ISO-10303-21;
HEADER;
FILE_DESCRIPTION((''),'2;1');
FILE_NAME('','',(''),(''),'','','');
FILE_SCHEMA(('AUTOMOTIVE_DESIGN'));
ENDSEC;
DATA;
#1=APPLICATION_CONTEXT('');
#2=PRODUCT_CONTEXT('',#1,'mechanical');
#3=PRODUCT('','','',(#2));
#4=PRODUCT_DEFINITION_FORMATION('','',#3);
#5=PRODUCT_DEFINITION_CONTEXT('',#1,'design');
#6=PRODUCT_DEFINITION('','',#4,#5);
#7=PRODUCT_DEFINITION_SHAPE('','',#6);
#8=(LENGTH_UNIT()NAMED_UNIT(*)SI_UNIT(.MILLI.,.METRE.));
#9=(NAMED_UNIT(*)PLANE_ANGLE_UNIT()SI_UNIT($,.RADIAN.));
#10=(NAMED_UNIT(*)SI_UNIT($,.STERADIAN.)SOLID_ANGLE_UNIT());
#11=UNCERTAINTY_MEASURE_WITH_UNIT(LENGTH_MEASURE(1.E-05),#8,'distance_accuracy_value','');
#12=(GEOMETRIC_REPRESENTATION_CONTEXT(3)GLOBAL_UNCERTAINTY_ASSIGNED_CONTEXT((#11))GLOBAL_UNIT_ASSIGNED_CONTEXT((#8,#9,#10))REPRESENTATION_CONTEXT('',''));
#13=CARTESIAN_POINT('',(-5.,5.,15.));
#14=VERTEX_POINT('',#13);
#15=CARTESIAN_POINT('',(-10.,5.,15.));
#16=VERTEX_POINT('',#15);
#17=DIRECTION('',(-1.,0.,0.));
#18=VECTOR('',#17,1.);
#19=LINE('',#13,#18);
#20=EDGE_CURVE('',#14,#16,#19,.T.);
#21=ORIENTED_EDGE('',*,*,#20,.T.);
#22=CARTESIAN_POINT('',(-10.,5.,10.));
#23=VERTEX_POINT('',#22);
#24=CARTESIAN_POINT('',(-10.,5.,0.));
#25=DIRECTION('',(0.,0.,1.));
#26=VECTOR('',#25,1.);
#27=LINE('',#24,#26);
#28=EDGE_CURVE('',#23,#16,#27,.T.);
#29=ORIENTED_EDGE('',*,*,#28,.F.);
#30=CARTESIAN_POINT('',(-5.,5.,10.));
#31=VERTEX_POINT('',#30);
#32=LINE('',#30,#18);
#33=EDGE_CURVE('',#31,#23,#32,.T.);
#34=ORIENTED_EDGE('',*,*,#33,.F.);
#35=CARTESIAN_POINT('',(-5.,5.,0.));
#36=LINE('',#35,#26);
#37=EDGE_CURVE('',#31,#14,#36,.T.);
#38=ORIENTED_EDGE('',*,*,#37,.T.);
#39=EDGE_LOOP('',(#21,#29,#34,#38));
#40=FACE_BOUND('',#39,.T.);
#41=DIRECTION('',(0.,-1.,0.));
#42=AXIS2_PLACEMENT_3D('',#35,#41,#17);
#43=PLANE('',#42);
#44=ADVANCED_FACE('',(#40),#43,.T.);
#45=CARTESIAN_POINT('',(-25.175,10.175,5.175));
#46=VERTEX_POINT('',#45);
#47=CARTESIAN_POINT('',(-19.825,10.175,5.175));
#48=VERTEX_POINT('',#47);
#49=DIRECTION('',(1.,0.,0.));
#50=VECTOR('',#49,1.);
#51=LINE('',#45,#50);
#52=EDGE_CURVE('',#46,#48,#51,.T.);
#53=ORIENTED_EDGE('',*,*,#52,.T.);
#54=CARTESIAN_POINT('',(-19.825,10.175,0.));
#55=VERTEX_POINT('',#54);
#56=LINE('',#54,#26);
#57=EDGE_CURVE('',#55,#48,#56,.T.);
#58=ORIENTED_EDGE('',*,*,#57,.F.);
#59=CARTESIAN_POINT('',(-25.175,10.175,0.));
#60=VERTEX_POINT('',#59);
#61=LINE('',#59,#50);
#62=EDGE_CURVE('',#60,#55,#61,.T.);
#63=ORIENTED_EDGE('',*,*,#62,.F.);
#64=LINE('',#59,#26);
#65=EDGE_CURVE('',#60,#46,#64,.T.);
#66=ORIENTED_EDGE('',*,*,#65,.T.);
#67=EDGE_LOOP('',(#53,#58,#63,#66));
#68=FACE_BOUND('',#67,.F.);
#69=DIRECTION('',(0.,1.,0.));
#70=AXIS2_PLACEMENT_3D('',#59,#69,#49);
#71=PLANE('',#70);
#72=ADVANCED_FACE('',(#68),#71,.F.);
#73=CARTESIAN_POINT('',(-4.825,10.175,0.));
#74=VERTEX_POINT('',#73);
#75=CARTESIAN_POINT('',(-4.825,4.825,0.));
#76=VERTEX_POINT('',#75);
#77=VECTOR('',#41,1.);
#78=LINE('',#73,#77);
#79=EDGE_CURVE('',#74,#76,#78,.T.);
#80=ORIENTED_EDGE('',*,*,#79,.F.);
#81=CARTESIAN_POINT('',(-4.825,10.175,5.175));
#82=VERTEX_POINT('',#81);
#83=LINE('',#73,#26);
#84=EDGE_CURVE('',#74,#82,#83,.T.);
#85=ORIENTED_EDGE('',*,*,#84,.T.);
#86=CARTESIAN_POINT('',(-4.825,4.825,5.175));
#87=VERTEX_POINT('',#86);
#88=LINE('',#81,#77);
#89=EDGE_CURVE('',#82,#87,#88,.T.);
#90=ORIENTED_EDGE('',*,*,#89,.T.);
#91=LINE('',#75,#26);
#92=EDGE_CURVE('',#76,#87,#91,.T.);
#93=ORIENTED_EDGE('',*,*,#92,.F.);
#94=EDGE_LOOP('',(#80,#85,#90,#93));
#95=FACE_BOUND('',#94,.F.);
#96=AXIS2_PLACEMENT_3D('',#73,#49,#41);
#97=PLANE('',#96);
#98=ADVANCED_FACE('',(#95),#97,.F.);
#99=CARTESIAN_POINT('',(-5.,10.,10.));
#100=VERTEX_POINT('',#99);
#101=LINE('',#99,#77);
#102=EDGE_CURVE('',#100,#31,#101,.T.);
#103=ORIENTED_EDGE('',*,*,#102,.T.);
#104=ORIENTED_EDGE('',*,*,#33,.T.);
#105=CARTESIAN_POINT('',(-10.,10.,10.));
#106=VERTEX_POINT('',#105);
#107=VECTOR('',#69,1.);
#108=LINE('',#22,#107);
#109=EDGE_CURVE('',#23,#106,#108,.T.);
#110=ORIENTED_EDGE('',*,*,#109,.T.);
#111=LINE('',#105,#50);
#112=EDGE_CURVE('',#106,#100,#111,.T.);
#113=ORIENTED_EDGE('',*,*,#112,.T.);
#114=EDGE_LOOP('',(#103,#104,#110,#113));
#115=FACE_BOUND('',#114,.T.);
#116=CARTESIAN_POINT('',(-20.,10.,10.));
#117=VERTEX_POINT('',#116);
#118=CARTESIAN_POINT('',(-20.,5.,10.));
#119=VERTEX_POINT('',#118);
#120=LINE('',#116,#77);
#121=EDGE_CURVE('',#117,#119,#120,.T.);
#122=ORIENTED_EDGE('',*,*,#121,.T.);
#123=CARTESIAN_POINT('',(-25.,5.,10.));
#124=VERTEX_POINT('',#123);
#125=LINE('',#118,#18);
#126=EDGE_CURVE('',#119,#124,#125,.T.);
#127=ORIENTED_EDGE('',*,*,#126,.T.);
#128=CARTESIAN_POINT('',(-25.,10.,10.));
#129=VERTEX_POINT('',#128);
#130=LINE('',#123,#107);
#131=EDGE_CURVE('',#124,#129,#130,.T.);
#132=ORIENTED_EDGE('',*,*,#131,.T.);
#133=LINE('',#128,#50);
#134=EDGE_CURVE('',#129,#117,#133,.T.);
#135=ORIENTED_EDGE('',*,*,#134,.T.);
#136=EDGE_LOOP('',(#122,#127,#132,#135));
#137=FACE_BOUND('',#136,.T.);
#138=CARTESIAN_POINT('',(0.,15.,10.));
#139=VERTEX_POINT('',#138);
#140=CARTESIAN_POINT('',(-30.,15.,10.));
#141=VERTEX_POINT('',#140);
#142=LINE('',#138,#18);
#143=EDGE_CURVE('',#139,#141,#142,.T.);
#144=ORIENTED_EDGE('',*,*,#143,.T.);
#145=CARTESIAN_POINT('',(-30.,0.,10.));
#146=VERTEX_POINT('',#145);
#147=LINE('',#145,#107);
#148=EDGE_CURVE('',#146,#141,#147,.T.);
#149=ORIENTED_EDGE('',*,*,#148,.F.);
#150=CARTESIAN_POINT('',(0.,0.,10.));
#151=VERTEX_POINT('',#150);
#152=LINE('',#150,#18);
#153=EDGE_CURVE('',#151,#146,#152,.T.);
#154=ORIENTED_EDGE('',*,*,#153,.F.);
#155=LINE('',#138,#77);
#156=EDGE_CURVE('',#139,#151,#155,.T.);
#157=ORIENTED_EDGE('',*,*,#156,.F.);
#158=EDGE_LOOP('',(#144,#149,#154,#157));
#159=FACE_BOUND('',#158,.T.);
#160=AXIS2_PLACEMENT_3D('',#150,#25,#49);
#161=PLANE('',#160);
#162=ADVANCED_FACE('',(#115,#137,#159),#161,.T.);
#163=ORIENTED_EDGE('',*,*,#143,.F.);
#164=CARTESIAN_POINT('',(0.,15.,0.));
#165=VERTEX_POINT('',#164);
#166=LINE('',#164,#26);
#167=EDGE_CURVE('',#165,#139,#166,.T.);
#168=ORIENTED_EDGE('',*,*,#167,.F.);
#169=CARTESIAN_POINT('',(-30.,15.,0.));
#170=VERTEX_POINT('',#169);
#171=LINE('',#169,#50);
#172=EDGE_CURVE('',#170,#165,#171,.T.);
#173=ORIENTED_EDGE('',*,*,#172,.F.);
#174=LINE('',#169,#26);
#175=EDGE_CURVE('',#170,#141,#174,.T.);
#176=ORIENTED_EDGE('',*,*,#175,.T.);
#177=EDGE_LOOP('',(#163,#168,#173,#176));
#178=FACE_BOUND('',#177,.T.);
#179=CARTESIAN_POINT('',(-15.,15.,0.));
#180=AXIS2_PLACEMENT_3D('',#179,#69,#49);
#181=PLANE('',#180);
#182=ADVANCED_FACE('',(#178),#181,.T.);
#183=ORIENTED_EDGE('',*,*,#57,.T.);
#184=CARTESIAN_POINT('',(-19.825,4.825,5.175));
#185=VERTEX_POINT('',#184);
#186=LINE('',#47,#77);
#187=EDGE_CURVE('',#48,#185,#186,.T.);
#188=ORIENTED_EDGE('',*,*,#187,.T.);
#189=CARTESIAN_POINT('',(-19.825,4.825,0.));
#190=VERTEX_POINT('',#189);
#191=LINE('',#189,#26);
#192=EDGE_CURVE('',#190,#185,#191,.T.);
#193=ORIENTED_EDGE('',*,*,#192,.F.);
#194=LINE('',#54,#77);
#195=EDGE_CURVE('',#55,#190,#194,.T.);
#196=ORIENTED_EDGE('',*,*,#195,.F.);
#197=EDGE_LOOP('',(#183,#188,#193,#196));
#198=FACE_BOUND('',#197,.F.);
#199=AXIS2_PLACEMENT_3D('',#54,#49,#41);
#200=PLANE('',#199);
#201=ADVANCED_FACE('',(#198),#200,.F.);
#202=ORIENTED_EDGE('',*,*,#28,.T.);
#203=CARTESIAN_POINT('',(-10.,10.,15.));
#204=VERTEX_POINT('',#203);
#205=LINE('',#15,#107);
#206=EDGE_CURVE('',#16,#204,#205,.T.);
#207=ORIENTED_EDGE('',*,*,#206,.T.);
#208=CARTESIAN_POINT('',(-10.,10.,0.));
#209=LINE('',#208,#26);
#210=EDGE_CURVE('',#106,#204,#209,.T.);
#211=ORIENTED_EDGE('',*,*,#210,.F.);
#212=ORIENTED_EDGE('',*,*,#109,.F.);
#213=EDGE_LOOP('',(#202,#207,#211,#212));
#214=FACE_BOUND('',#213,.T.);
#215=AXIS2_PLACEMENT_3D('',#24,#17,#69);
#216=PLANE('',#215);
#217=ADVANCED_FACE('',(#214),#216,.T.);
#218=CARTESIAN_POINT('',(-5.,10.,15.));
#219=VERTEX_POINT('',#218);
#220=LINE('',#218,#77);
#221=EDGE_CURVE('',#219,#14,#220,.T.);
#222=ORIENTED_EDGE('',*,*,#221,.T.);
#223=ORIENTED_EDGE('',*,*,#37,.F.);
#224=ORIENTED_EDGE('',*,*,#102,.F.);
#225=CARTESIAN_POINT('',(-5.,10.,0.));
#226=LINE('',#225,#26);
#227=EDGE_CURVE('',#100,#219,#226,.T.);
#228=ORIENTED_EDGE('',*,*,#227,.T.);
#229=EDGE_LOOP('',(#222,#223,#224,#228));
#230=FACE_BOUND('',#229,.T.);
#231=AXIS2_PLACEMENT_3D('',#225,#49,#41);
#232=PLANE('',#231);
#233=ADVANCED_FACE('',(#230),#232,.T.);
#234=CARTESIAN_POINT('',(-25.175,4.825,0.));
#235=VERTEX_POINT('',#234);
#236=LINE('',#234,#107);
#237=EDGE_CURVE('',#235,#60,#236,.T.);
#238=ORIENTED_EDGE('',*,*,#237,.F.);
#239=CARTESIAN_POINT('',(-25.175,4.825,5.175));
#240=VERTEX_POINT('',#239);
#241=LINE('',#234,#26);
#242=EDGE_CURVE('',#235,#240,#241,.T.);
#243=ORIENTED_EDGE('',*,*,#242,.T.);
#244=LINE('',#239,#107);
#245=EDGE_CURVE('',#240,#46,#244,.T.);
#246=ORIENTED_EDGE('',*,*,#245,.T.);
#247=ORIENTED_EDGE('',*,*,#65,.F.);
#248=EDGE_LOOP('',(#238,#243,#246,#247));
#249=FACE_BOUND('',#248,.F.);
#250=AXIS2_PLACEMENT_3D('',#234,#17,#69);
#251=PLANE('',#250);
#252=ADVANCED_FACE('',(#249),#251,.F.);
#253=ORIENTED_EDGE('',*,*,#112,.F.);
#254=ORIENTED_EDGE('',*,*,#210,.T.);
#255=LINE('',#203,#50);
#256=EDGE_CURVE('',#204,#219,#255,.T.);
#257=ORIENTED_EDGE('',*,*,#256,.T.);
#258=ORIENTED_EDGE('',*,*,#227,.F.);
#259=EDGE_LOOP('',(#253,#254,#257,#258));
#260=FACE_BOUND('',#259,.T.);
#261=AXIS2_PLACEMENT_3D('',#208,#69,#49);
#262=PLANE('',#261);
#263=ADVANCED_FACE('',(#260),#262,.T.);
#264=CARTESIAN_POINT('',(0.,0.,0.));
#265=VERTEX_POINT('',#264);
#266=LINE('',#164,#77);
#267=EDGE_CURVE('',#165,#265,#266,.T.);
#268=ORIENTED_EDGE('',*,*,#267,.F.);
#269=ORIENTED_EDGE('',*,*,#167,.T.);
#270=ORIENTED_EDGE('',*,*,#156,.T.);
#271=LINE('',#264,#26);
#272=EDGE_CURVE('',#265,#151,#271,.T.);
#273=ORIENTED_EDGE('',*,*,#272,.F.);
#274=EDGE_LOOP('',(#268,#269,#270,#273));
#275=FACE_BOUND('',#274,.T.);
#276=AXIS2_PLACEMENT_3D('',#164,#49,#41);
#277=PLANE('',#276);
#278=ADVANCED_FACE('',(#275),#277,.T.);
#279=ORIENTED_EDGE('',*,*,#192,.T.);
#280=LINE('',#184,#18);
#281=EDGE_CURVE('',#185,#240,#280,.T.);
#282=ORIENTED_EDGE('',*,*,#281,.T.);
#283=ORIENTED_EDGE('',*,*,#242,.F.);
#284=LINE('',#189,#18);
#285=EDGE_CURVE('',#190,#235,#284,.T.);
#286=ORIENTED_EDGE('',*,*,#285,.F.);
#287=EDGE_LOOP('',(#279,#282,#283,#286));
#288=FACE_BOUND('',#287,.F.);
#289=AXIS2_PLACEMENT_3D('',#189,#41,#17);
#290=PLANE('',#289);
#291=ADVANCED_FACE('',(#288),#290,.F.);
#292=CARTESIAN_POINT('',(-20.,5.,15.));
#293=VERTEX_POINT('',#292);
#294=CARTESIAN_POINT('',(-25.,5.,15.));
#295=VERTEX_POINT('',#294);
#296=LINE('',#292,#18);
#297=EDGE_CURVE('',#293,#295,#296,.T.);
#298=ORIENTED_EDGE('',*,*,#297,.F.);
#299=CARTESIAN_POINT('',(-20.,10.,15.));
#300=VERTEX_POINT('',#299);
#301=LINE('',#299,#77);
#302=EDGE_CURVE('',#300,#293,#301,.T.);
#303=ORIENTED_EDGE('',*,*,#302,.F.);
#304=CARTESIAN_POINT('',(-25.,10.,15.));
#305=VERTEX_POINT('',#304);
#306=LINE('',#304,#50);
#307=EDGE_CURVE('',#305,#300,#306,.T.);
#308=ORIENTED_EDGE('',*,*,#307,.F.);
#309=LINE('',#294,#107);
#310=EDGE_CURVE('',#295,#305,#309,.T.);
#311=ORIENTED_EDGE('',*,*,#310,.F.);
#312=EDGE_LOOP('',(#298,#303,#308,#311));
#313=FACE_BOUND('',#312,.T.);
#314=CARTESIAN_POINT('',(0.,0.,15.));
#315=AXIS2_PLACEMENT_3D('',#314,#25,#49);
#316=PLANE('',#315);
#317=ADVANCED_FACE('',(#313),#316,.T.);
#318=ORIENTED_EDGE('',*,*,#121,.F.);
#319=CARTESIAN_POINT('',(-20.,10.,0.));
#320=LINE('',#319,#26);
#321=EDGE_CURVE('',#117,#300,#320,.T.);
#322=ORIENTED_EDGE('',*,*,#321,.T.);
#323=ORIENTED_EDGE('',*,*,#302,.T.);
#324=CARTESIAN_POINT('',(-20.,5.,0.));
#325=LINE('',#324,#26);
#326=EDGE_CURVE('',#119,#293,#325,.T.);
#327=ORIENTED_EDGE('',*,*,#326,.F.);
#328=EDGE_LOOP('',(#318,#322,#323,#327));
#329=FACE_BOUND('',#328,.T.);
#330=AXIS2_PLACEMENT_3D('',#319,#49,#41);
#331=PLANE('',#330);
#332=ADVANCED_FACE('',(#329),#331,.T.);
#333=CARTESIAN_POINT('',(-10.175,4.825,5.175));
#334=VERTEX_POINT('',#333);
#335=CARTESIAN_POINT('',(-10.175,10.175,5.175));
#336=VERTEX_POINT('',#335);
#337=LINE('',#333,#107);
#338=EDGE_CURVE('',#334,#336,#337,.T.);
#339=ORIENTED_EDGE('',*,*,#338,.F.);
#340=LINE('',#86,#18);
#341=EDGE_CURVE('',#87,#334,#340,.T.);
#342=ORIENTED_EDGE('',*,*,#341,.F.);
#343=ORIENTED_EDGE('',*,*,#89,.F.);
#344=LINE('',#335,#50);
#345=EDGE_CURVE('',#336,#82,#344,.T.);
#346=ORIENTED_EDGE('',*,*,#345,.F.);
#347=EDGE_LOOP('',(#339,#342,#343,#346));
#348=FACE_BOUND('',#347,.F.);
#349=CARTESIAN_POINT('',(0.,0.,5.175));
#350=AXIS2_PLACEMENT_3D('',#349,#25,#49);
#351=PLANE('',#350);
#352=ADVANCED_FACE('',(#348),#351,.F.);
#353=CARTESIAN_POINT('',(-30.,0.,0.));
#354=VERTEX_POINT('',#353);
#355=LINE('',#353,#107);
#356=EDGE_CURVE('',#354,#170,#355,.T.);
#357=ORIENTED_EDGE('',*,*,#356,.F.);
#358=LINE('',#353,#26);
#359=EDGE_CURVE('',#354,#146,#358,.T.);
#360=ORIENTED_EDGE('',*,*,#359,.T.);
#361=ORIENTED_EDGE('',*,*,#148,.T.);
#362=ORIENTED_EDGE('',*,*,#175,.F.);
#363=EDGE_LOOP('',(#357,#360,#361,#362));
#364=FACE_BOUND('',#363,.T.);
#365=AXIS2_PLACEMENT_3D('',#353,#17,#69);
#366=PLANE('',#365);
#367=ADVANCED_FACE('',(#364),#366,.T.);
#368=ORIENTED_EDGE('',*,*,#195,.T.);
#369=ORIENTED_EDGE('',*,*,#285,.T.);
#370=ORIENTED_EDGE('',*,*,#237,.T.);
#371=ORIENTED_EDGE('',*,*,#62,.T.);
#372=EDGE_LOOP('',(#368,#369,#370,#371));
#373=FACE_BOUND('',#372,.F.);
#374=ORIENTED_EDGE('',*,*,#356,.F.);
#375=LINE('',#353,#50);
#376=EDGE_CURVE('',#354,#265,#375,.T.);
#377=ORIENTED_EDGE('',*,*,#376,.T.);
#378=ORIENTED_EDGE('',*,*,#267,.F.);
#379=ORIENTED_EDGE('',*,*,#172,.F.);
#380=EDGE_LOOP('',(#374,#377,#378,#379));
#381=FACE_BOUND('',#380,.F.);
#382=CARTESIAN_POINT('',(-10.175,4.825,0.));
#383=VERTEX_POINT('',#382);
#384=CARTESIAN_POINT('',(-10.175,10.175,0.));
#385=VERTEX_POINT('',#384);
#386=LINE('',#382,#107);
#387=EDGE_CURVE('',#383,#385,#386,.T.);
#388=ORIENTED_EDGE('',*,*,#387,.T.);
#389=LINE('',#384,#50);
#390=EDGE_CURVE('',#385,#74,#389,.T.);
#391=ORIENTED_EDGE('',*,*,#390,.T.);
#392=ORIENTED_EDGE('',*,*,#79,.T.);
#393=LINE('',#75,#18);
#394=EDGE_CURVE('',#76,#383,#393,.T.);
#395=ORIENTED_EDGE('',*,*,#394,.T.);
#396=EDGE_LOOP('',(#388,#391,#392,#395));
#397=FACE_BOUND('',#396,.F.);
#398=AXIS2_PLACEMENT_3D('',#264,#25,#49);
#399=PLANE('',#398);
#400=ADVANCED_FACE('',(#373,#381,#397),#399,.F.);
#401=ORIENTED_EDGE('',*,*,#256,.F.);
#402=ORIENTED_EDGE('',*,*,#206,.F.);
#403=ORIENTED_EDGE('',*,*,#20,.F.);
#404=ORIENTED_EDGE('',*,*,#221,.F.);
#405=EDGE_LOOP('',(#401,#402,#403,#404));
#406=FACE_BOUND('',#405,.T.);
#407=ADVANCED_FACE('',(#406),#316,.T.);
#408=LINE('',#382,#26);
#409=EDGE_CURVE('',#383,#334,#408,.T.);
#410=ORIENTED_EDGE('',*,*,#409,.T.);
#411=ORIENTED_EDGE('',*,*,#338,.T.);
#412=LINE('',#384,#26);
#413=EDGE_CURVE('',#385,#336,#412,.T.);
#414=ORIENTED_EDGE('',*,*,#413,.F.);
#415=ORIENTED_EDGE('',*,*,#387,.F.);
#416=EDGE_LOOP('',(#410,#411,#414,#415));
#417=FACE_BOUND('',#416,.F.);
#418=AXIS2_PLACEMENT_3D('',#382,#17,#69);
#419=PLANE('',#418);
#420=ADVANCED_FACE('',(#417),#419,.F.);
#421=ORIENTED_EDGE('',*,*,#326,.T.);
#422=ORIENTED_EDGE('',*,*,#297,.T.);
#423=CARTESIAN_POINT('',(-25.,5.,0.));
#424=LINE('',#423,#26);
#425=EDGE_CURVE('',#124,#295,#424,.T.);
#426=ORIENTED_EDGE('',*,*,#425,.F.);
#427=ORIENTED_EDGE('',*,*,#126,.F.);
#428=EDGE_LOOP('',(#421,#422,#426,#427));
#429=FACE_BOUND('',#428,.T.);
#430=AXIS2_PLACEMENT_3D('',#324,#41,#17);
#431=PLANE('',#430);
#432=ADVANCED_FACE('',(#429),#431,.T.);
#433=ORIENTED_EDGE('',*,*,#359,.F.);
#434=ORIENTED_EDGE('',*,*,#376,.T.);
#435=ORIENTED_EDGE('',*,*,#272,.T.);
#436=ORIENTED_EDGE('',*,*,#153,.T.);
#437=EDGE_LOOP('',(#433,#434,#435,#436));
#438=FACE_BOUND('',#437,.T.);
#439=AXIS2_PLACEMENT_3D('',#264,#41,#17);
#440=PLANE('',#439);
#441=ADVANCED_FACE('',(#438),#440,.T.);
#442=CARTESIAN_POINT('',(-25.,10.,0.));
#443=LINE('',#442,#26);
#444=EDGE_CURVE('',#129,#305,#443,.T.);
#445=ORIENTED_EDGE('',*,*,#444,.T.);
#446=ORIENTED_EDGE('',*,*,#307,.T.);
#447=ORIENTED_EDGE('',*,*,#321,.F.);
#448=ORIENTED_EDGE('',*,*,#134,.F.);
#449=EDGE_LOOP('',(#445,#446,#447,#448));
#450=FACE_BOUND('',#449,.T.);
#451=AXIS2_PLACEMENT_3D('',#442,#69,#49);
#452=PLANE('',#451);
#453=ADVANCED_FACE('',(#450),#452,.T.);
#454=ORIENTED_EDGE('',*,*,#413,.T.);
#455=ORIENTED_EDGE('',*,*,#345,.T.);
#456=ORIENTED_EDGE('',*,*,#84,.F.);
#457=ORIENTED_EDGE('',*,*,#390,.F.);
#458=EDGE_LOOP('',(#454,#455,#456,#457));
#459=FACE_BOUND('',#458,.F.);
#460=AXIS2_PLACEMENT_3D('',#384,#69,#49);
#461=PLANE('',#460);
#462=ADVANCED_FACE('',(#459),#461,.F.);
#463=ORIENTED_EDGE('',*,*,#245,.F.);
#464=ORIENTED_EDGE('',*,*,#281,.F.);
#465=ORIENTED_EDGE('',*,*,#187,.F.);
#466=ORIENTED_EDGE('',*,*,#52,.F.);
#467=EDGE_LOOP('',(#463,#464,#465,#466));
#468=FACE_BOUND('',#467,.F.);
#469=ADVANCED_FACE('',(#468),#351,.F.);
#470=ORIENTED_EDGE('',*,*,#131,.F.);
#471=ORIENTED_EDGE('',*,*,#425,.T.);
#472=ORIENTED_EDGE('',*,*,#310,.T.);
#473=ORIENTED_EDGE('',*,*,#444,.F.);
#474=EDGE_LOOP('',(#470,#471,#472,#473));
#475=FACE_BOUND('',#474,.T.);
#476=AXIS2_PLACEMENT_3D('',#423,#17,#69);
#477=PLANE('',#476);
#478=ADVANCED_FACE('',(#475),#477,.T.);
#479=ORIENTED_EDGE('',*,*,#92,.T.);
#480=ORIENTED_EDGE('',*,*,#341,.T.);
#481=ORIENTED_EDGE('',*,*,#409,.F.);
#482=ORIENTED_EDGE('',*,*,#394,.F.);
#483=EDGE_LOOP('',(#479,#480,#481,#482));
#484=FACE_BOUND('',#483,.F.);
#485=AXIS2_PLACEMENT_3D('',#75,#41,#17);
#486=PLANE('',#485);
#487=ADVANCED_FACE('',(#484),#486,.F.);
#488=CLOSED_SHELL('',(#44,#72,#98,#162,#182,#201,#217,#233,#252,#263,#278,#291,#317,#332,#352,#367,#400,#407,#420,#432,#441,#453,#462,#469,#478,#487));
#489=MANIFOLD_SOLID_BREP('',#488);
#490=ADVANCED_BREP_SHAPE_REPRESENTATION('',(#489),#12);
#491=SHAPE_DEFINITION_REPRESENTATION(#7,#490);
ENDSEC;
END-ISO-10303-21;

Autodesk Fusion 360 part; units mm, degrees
sketch "Sketch1" plane through (0, 0, 0) normal (0, 0, 1) x (1, 0, 0)
  line L0 (0, 0) -> (-30, 0)
  line L1 (-30, 0) -> (-30, 15)
  line L2 (-30, 15) -> (0, 15)
  line L3 (0, 15) -> (0, 0)
  line L4 (-15, 0) -> (-15, 15)
  line L5 (-25, 10) -> (-20, 10)
  line L6 (-20, 10) -> (-20, 5)
  line L7 (-20, 5) -> (-25, 5)
  line L8 (-25, 5) -> (-25, 10)
  line L9 (-10, 10) -> (-5, 10)
  line L10 (-5, 10) -> (-5, 5)
  line L11 (-5, 5) -> (-10, 5)
  line L12 (-10, 5) -> (-10, 10)
  line L13 (-25.175, 10.175) -> (-19.825, 10.175)
  line L14 (-19.825, 10.175) -> (-19.825, 4.825)
  line L15 (-19.825, 4.825) -> (-25.175, 4.825)
  line L16 (-25.175, 4.825) -> (-25.175, 10.175)
  line L17 (-10.175, 10.175) -> (-4.825, 10.175)
  line L18 (-4.825, 10.175) -> (-4.825, 4.825)
  line L19 (-4.825, 4.825) -> (-10.175, 4.825)
  line L20 (-10.175, 4.825) -> (-10.175, 10.175)
  dimension "d1" = 30
  dimension "d2" = 15
  dimension "d7" = -0.175
  dimension "d8" = -0.175
extrude "Extrude1" add sketch "Sketch1" along normal blind 10 contours L0 L2 L3 L4 | L0 L1 L2 L4 | L13 L14 L15 L16 | L17 L18 L19 L20
extrude "Extrude2" add sketch "Sketch1" along normal blind 15 contours L5 L6 L7 L8 | L9 L10 L11 L12
extrude "Extrude3" cut sketch "Sketch1" along normal blind 5.175 contours L5 L6 L7 L8 | L9 L10 L11 L12 | L13 L14 L15 L16 | L17 L18 L19 L20
